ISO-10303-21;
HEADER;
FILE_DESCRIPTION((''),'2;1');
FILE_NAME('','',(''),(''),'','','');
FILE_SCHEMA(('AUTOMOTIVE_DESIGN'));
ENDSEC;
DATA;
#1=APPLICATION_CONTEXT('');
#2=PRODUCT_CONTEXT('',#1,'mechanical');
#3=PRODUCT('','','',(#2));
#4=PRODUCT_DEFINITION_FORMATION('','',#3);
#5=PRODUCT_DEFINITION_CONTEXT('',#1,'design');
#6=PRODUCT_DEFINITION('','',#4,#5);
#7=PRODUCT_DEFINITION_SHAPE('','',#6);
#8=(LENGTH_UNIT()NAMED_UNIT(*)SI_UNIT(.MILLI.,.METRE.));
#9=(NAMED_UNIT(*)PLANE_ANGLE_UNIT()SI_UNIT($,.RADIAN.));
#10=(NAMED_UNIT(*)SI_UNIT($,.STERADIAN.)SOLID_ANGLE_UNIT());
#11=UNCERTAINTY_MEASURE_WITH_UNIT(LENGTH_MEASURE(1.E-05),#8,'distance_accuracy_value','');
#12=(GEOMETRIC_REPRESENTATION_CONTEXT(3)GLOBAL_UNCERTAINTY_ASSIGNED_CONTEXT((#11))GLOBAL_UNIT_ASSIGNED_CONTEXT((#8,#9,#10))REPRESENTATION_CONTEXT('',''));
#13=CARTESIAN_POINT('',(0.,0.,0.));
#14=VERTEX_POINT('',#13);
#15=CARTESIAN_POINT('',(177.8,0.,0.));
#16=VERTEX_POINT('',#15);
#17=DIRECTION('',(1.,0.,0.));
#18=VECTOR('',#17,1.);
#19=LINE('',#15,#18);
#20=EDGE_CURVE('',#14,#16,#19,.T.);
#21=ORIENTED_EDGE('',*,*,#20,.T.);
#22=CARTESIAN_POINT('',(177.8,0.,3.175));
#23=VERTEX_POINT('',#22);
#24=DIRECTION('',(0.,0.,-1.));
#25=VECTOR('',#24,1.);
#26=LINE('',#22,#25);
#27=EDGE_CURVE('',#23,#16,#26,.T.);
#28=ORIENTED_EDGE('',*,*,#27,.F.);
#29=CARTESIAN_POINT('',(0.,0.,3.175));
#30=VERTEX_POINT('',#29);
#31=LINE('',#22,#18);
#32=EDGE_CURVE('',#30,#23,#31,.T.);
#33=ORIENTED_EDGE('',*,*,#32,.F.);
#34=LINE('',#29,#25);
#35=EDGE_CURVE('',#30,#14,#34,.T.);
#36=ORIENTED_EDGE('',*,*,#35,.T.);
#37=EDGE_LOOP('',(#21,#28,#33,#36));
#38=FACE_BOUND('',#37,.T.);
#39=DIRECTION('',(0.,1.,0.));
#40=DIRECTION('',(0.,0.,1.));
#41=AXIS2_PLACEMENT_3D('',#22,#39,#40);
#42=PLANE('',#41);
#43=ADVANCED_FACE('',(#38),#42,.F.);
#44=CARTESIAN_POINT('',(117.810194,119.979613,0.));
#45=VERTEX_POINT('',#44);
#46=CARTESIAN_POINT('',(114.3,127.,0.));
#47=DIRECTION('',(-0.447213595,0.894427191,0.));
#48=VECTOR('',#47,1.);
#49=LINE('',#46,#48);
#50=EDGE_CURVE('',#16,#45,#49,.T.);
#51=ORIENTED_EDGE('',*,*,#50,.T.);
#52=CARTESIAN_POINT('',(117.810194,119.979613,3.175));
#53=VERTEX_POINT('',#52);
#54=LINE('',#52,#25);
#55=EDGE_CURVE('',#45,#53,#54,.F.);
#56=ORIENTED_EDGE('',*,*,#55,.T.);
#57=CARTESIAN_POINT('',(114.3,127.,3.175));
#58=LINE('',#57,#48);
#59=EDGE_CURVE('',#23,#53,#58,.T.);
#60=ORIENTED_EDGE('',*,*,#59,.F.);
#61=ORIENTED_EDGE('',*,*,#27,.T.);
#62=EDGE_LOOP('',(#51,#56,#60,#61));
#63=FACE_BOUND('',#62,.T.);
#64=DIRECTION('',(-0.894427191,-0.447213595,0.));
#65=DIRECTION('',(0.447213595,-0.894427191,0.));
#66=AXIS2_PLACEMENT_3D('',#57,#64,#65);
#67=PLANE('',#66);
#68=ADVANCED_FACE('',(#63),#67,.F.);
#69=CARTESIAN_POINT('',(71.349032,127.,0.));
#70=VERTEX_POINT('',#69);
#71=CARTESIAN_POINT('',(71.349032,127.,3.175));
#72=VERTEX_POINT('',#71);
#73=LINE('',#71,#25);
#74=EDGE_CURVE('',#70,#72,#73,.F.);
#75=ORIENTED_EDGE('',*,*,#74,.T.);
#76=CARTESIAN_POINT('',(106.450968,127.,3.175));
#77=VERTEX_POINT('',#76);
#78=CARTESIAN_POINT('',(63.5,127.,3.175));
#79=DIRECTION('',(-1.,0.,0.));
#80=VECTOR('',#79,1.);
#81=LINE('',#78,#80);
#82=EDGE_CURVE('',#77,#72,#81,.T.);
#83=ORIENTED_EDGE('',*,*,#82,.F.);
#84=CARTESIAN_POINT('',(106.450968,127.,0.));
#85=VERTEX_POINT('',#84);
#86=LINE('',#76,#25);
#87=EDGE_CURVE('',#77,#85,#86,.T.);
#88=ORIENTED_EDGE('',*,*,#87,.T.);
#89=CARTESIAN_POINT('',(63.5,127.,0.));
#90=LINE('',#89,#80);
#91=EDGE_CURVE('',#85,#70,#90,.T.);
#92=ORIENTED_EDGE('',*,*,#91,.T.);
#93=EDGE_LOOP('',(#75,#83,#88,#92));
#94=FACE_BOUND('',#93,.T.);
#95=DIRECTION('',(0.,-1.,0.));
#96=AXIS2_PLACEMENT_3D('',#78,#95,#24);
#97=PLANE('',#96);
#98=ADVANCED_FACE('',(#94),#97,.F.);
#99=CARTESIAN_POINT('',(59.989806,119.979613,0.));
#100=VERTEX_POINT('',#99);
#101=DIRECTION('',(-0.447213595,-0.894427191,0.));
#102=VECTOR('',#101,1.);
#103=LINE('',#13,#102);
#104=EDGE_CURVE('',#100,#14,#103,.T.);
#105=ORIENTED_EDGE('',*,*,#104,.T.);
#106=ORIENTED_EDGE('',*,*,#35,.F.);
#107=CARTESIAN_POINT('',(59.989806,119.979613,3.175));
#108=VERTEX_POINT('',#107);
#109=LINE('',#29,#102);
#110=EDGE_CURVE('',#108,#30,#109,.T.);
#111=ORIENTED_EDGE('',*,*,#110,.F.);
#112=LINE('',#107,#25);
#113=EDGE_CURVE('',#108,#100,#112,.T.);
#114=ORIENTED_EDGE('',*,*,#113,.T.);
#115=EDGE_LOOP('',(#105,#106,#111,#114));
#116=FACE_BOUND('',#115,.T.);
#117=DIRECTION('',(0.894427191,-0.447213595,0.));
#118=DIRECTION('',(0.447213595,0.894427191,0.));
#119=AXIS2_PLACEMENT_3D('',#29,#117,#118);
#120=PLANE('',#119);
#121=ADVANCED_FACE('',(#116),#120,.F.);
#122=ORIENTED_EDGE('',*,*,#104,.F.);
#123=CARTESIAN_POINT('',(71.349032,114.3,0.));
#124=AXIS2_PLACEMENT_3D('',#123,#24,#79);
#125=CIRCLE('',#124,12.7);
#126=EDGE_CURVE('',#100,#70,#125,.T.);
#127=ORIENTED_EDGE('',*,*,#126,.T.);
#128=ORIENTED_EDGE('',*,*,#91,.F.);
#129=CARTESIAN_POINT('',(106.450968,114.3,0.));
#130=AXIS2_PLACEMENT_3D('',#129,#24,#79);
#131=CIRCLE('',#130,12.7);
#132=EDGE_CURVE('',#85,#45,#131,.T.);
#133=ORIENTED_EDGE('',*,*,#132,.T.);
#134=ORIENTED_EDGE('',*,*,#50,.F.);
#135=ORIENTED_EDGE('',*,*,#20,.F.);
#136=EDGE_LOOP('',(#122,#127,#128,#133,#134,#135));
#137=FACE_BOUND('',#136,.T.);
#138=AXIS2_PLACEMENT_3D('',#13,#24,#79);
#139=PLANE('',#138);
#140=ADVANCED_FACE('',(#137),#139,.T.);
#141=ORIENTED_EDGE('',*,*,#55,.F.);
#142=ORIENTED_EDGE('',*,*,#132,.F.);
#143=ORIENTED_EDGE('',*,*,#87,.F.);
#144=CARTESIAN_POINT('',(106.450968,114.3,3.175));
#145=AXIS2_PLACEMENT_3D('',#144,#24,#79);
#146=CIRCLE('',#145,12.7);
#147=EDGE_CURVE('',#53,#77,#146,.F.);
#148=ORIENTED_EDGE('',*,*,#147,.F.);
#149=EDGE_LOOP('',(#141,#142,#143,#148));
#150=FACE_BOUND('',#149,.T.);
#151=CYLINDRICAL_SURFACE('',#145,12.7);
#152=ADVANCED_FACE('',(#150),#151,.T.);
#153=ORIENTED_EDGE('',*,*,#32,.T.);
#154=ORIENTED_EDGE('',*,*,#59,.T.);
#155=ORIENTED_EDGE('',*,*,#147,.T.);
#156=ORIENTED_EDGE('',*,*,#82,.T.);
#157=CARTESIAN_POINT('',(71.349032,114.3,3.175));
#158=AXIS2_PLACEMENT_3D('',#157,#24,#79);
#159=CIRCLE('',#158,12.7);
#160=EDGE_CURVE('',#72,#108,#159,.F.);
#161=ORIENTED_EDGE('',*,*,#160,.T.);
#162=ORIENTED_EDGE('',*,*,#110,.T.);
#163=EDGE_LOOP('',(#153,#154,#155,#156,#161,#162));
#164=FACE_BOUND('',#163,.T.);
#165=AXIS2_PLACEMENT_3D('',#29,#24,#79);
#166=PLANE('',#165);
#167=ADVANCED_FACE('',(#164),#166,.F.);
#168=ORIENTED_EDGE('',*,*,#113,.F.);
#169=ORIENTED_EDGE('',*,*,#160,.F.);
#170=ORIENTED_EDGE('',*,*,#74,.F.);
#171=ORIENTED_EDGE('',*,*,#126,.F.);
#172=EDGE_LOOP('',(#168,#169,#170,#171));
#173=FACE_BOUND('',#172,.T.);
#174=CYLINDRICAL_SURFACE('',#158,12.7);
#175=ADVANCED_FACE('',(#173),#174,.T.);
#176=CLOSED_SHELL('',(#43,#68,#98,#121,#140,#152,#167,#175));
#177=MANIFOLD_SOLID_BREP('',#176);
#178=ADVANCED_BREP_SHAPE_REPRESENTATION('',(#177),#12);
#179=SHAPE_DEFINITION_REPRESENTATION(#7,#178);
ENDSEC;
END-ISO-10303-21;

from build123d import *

# Parameters (mm, degrees)
MAINSHAPE_DEPTH = 3.175
FILLET1_R       = 12.7


with BuildPart() as part:
    # Sketch1 → MainShape (new body)
    with BuildSketch(Plane.XY):
        Polygon((0, 0), (63.5, 127), (114.3, 127), (177.8, 0), align=None)
    extrude(amount=MAINSHAPE_DEPTH)

    # Fillet1
    fillet1_edges = [part.edges().sort_by_distance(p)[0] for p in [
        (63.5, 127, 1.5875),
        (114.3, 127, 1.5875),
    ]]
    fillet(fillet1_edges, radius=FILLET1_R)


solid = part.part
